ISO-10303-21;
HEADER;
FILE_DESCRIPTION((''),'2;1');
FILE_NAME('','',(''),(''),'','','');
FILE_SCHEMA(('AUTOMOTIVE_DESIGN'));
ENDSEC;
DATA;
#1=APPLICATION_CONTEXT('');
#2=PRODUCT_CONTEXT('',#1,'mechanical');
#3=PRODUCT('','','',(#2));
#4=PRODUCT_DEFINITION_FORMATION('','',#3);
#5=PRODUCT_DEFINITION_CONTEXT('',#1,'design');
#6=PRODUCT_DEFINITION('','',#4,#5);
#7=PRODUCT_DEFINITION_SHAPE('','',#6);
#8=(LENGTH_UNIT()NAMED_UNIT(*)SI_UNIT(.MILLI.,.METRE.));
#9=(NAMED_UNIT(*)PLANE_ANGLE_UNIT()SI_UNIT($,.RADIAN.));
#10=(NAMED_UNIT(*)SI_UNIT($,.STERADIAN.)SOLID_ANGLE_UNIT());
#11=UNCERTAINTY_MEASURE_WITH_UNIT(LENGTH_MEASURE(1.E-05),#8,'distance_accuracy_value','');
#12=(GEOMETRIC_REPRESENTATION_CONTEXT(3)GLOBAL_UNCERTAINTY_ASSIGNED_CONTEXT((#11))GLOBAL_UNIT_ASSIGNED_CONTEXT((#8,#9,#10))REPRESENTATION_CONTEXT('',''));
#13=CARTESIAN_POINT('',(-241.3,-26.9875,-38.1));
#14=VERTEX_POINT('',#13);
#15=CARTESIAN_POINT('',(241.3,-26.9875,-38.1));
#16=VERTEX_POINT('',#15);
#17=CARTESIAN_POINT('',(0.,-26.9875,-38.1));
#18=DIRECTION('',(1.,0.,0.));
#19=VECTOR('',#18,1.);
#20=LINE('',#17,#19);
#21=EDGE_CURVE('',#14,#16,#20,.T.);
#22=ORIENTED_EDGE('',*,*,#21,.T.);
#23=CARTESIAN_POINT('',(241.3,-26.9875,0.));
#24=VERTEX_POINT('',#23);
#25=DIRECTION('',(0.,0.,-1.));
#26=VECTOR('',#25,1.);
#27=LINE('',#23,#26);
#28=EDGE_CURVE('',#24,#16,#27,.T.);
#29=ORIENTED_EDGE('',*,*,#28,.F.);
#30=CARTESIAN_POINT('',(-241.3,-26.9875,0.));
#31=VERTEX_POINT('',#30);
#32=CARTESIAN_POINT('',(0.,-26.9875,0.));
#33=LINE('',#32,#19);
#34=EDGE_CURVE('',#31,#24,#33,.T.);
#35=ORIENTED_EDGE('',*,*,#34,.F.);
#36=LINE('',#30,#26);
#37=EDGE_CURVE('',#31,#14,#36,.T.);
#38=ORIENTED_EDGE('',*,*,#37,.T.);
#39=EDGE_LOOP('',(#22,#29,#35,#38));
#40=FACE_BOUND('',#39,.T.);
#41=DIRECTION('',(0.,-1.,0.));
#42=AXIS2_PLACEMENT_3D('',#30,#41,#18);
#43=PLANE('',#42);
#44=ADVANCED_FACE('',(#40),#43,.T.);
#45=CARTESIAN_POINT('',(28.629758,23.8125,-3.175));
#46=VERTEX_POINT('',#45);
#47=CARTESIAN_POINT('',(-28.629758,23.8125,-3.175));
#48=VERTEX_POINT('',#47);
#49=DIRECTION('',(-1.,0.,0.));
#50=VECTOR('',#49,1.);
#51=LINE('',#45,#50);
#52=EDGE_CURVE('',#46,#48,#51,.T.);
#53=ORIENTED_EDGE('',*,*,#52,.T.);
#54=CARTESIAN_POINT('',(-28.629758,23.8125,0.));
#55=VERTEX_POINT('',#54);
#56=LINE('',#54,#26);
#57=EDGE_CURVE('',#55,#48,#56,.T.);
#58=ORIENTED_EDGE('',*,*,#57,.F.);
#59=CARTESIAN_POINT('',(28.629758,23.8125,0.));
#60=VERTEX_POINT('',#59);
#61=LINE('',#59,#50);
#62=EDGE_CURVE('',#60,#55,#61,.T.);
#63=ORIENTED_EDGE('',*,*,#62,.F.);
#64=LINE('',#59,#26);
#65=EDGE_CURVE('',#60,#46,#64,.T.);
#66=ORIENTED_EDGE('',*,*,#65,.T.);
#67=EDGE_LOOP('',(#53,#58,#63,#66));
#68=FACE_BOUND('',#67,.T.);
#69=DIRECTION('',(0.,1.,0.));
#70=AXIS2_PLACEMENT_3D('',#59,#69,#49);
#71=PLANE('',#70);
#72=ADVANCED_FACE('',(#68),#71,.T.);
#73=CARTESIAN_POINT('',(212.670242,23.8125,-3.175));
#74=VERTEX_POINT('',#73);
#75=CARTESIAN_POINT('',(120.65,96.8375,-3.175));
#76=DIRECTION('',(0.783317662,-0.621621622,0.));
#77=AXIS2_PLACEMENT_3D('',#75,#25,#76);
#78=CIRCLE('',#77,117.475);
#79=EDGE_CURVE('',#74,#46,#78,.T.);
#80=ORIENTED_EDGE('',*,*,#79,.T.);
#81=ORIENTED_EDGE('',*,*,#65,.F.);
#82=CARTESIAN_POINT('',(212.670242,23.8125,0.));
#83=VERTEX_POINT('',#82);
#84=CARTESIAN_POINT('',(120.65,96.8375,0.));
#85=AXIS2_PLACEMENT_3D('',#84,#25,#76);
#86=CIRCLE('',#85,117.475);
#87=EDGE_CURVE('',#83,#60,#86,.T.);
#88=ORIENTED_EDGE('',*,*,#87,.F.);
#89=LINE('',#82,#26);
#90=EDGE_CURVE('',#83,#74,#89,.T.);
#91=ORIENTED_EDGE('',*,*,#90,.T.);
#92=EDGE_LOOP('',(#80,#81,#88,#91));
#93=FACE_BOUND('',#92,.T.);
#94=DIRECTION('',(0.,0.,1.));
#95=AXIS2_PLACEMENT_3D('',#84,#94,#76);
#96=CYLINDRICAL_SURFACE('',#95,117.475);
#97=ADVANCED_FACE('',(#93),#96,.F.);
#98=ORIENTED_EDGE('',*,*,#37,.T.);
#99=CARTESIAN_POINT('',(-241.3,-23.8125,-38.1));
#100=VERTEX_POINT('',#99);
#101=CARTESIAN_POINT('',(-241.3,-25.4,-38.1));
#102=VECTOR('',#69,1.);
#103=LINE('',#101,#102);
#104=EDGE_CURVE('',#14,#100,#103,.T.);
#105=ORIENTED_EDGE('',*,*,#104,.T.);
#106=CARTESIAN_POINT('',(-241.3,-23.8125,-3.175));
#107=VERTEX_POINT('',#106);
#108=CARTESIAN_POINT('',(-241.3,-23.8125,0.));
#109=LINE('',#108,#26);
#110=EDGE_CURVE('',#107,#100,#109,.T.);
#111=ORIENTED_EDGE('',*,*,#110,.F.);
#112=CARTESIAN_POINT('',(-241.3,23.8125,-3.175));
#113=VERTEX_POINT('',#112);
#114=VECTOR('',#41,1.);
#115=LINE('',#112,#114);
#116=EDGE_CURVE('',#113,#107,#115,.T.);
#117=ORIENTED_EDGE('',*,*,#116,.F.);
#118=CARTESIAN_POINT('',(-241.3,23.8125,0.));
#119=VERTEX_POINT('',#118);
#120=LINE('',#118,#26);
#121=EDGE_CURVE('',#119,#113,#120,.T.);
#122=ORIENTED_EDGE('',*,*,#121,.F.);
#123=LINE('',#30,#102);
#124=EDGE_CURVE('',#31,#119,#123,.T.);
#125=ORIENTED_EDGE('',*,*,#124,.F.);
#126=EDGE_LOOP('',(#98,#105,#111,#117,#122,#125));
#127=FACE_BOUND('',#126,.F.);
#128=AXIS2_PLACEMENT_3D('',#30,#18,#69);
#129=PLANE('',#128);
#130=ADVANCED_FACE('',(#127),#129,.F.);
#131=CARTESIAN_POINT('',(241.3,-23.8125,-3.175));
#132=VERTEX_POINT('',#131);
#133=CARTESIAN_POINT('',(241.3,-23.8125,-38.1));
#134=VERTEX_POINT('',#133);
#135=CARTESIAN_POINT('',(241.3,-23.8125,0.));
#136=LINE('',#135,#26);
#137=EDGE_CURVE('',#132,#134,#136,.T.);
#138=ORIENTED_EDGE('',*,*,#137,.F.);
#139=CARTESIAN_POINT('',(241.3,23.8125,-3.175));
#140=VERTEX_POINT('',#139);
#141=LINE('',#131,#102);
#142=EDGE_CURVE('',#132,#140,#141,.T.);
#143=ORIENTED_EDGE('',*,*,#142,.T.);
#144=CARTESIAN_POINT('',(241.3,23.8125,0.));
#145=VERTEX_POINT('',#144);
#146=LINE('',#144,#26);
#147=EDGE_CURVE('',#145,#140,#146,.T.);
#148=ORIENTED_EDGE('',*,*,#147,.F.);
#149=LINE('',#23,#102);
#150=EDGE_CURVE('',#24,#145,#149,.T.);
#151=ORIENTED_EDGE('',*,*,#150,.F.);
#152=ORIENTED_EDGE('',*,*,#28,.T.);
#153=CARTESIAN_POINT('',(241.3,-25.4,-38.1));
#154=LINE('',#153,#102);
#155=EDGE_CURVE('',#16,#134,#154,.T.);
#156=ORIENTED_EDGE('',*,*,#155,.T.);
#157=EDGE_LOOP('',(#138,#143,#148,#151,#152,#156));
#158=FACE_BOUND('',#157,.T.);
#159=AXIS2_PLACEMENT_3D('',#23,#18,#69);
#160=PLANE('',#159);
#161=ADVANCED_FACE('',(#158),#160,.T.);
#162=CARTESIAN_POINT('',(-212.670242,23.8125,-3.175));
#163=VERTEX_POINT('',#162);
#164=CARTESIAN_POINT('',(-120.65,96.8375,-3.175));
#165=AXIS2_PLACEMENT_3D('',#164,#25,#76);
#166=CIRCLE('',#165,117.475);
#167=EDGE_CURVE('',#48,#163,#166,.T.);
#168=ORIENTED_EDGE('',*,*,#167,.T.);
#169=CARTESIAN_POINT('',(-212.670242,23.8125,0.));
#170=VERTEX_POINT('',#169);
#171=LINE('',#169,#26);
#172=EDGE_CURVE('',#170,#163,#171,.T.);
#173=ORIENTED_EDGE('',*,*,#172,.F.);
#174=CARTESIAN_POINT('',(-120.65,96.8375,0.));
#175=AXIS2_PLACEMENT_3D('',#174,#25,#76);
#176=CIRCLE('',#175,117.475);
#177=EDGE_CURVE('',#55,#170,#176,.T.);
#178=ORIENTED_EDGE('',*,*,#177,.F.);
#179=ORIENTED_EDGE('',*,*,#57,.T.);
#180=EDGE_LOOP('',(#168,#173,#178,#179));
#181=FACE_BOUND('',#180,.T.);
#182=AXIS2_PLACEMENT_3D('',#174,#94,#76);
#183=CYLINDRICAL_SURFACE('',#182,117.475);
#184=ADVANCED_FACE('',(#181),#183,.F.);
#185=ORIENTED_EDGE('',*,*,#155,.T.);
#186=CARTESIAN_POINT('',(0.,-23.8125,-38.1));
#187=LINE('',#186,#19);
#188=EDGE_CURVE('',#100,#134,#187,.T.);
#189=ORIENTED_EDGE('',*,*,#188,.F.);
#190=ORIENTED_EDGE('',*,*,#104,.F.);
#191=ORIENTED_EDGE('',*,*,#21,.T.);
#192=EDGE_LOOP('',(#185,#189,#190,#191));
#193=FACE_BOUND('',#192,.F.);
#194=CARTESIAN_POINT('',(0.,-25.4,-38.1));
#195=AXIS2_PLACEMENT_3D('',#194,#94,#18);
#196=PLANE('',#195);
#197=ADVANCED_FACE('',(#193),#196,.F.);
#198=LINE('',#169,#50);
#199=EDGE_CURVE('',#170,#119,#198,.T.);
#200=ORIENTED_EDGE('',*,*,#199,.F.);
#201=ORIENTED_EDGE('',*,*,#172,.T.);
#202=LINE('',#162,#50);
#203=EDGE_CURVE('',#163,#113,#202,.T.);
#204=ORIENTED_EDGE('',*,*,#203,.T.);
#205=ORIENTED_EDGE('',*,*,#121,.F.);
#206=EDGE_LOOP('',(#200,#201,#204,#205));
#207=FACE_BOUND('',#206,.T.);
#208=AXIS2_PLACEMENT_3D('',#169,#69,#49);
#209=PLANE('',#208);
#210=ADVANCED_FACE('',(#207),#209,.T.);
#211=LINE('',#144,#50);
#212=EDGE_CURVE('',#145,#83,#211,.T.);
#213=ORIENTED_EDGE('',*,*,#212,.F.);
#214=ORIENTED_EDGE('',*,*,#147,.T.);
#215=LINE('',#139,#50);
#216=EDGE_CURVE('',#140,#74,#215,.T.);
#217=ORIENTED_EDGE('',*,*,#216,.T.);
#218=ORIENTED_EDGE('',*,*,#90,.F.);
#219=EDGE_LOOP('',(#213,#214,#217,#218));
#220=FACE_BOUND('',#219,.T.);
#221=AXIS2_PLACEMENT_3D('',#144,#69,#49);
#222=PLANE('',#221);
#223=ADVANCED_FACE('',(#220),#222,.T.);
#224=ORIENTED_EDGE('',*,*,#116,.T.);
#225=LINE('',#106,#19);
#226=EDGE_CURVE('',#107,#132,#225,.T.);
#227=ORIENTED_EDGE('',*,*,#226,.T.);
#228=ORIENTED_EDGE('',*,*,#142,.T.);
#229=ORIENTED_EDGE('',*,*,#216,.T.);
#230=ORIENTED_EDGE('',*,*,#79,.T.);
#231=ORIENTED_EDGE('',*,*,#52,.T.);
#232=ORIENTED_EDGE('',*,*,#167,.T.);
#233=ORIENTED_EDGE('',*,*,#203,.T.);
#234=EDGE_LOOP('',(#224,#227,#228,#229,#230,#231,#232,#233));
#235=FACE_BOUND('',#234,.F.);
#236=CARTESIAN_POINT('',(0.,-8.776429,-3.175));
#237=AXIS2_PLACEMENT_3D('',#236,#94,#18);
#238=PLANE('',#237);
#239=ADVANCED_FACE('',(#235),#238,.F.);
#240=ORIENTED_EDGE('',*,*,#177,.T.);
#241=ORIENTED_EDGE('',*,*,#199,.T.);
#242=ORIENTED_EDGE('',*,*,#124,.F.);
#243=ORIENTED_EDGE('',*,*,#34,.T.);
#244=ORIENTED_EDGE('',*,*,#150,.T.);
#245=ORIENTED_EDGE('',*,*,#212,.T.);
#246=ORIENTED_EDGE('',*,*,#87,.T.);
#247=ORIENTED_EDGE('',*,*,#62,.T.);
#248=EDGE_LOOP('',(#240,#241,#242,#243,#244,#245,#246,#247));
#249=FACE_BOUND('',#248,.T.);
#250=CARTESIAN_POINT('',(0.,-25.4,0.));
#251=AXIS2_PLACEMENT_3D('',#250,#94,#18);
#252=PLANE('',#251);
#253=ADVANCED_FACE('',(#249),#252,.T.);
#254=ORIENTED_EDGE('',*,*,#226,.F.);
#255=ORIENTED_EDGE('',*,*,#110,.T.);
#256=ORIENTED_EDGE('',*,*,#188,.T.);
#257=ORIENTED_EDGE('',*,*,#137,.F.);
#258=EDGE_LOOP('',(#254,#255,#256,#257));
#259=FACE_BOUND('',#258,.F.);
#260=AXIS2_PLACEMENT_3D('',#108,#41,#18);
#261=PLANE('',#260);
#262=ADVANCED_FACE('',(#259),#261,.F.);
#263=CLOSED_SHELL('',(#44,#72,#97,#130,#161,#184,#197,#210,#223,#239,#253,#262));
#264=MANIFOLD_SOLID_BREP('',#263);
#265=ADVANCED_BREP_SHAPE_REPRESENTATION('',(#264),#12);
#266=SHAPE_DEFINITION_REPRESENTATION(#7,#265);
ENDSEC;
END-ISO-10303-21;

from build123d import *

# Parameters (mm, degrees)
F1_DEPTH = 3.175
F0_W     = 482.6
F0_H     = 3.175
F2_DEPTH = 38.1


with BuildPart() as f1:
    # F0 (on Top) → F1 (new body)
    with BuildSketch(Plane.XY):
        with BuildLine():
            Line((-241.3, -23.8125), (241.3, -23.8125))
            Line((241.3, -23.8125), (241.3, 23.8125))
            Line((241.3, 23.8125), (212.6702423383, 23.8125))
            ThreePointArc((212.6702423383, 23.8125), (120.65, -20.6375), (28.6297576617, 23.8125))
            Line((28.6297576617, 23.8125), (-28.6297576617, 23.8125))
            ThreePointArc((-28.6297576617, 23.8125), (-120.65, -20.6375), (-212.6702423383, 23.8125))
            Line((-212.6702423383, 23.8125), (-241.3, 23.8125))
            Line((-241.3, 23.8125), (-241.3, -23.8125))
        make_face()
    extrude(amount=-F1_DEPTH)

    # F0 (on Top) → F2 (join)
    with BuildSketch(Plane.XY):
        with Locations((0, -25.4)):
            Rectangle(F0_W, F0_H)
    extrude(amount=-F2_DEPTH)


solid = f1.part
